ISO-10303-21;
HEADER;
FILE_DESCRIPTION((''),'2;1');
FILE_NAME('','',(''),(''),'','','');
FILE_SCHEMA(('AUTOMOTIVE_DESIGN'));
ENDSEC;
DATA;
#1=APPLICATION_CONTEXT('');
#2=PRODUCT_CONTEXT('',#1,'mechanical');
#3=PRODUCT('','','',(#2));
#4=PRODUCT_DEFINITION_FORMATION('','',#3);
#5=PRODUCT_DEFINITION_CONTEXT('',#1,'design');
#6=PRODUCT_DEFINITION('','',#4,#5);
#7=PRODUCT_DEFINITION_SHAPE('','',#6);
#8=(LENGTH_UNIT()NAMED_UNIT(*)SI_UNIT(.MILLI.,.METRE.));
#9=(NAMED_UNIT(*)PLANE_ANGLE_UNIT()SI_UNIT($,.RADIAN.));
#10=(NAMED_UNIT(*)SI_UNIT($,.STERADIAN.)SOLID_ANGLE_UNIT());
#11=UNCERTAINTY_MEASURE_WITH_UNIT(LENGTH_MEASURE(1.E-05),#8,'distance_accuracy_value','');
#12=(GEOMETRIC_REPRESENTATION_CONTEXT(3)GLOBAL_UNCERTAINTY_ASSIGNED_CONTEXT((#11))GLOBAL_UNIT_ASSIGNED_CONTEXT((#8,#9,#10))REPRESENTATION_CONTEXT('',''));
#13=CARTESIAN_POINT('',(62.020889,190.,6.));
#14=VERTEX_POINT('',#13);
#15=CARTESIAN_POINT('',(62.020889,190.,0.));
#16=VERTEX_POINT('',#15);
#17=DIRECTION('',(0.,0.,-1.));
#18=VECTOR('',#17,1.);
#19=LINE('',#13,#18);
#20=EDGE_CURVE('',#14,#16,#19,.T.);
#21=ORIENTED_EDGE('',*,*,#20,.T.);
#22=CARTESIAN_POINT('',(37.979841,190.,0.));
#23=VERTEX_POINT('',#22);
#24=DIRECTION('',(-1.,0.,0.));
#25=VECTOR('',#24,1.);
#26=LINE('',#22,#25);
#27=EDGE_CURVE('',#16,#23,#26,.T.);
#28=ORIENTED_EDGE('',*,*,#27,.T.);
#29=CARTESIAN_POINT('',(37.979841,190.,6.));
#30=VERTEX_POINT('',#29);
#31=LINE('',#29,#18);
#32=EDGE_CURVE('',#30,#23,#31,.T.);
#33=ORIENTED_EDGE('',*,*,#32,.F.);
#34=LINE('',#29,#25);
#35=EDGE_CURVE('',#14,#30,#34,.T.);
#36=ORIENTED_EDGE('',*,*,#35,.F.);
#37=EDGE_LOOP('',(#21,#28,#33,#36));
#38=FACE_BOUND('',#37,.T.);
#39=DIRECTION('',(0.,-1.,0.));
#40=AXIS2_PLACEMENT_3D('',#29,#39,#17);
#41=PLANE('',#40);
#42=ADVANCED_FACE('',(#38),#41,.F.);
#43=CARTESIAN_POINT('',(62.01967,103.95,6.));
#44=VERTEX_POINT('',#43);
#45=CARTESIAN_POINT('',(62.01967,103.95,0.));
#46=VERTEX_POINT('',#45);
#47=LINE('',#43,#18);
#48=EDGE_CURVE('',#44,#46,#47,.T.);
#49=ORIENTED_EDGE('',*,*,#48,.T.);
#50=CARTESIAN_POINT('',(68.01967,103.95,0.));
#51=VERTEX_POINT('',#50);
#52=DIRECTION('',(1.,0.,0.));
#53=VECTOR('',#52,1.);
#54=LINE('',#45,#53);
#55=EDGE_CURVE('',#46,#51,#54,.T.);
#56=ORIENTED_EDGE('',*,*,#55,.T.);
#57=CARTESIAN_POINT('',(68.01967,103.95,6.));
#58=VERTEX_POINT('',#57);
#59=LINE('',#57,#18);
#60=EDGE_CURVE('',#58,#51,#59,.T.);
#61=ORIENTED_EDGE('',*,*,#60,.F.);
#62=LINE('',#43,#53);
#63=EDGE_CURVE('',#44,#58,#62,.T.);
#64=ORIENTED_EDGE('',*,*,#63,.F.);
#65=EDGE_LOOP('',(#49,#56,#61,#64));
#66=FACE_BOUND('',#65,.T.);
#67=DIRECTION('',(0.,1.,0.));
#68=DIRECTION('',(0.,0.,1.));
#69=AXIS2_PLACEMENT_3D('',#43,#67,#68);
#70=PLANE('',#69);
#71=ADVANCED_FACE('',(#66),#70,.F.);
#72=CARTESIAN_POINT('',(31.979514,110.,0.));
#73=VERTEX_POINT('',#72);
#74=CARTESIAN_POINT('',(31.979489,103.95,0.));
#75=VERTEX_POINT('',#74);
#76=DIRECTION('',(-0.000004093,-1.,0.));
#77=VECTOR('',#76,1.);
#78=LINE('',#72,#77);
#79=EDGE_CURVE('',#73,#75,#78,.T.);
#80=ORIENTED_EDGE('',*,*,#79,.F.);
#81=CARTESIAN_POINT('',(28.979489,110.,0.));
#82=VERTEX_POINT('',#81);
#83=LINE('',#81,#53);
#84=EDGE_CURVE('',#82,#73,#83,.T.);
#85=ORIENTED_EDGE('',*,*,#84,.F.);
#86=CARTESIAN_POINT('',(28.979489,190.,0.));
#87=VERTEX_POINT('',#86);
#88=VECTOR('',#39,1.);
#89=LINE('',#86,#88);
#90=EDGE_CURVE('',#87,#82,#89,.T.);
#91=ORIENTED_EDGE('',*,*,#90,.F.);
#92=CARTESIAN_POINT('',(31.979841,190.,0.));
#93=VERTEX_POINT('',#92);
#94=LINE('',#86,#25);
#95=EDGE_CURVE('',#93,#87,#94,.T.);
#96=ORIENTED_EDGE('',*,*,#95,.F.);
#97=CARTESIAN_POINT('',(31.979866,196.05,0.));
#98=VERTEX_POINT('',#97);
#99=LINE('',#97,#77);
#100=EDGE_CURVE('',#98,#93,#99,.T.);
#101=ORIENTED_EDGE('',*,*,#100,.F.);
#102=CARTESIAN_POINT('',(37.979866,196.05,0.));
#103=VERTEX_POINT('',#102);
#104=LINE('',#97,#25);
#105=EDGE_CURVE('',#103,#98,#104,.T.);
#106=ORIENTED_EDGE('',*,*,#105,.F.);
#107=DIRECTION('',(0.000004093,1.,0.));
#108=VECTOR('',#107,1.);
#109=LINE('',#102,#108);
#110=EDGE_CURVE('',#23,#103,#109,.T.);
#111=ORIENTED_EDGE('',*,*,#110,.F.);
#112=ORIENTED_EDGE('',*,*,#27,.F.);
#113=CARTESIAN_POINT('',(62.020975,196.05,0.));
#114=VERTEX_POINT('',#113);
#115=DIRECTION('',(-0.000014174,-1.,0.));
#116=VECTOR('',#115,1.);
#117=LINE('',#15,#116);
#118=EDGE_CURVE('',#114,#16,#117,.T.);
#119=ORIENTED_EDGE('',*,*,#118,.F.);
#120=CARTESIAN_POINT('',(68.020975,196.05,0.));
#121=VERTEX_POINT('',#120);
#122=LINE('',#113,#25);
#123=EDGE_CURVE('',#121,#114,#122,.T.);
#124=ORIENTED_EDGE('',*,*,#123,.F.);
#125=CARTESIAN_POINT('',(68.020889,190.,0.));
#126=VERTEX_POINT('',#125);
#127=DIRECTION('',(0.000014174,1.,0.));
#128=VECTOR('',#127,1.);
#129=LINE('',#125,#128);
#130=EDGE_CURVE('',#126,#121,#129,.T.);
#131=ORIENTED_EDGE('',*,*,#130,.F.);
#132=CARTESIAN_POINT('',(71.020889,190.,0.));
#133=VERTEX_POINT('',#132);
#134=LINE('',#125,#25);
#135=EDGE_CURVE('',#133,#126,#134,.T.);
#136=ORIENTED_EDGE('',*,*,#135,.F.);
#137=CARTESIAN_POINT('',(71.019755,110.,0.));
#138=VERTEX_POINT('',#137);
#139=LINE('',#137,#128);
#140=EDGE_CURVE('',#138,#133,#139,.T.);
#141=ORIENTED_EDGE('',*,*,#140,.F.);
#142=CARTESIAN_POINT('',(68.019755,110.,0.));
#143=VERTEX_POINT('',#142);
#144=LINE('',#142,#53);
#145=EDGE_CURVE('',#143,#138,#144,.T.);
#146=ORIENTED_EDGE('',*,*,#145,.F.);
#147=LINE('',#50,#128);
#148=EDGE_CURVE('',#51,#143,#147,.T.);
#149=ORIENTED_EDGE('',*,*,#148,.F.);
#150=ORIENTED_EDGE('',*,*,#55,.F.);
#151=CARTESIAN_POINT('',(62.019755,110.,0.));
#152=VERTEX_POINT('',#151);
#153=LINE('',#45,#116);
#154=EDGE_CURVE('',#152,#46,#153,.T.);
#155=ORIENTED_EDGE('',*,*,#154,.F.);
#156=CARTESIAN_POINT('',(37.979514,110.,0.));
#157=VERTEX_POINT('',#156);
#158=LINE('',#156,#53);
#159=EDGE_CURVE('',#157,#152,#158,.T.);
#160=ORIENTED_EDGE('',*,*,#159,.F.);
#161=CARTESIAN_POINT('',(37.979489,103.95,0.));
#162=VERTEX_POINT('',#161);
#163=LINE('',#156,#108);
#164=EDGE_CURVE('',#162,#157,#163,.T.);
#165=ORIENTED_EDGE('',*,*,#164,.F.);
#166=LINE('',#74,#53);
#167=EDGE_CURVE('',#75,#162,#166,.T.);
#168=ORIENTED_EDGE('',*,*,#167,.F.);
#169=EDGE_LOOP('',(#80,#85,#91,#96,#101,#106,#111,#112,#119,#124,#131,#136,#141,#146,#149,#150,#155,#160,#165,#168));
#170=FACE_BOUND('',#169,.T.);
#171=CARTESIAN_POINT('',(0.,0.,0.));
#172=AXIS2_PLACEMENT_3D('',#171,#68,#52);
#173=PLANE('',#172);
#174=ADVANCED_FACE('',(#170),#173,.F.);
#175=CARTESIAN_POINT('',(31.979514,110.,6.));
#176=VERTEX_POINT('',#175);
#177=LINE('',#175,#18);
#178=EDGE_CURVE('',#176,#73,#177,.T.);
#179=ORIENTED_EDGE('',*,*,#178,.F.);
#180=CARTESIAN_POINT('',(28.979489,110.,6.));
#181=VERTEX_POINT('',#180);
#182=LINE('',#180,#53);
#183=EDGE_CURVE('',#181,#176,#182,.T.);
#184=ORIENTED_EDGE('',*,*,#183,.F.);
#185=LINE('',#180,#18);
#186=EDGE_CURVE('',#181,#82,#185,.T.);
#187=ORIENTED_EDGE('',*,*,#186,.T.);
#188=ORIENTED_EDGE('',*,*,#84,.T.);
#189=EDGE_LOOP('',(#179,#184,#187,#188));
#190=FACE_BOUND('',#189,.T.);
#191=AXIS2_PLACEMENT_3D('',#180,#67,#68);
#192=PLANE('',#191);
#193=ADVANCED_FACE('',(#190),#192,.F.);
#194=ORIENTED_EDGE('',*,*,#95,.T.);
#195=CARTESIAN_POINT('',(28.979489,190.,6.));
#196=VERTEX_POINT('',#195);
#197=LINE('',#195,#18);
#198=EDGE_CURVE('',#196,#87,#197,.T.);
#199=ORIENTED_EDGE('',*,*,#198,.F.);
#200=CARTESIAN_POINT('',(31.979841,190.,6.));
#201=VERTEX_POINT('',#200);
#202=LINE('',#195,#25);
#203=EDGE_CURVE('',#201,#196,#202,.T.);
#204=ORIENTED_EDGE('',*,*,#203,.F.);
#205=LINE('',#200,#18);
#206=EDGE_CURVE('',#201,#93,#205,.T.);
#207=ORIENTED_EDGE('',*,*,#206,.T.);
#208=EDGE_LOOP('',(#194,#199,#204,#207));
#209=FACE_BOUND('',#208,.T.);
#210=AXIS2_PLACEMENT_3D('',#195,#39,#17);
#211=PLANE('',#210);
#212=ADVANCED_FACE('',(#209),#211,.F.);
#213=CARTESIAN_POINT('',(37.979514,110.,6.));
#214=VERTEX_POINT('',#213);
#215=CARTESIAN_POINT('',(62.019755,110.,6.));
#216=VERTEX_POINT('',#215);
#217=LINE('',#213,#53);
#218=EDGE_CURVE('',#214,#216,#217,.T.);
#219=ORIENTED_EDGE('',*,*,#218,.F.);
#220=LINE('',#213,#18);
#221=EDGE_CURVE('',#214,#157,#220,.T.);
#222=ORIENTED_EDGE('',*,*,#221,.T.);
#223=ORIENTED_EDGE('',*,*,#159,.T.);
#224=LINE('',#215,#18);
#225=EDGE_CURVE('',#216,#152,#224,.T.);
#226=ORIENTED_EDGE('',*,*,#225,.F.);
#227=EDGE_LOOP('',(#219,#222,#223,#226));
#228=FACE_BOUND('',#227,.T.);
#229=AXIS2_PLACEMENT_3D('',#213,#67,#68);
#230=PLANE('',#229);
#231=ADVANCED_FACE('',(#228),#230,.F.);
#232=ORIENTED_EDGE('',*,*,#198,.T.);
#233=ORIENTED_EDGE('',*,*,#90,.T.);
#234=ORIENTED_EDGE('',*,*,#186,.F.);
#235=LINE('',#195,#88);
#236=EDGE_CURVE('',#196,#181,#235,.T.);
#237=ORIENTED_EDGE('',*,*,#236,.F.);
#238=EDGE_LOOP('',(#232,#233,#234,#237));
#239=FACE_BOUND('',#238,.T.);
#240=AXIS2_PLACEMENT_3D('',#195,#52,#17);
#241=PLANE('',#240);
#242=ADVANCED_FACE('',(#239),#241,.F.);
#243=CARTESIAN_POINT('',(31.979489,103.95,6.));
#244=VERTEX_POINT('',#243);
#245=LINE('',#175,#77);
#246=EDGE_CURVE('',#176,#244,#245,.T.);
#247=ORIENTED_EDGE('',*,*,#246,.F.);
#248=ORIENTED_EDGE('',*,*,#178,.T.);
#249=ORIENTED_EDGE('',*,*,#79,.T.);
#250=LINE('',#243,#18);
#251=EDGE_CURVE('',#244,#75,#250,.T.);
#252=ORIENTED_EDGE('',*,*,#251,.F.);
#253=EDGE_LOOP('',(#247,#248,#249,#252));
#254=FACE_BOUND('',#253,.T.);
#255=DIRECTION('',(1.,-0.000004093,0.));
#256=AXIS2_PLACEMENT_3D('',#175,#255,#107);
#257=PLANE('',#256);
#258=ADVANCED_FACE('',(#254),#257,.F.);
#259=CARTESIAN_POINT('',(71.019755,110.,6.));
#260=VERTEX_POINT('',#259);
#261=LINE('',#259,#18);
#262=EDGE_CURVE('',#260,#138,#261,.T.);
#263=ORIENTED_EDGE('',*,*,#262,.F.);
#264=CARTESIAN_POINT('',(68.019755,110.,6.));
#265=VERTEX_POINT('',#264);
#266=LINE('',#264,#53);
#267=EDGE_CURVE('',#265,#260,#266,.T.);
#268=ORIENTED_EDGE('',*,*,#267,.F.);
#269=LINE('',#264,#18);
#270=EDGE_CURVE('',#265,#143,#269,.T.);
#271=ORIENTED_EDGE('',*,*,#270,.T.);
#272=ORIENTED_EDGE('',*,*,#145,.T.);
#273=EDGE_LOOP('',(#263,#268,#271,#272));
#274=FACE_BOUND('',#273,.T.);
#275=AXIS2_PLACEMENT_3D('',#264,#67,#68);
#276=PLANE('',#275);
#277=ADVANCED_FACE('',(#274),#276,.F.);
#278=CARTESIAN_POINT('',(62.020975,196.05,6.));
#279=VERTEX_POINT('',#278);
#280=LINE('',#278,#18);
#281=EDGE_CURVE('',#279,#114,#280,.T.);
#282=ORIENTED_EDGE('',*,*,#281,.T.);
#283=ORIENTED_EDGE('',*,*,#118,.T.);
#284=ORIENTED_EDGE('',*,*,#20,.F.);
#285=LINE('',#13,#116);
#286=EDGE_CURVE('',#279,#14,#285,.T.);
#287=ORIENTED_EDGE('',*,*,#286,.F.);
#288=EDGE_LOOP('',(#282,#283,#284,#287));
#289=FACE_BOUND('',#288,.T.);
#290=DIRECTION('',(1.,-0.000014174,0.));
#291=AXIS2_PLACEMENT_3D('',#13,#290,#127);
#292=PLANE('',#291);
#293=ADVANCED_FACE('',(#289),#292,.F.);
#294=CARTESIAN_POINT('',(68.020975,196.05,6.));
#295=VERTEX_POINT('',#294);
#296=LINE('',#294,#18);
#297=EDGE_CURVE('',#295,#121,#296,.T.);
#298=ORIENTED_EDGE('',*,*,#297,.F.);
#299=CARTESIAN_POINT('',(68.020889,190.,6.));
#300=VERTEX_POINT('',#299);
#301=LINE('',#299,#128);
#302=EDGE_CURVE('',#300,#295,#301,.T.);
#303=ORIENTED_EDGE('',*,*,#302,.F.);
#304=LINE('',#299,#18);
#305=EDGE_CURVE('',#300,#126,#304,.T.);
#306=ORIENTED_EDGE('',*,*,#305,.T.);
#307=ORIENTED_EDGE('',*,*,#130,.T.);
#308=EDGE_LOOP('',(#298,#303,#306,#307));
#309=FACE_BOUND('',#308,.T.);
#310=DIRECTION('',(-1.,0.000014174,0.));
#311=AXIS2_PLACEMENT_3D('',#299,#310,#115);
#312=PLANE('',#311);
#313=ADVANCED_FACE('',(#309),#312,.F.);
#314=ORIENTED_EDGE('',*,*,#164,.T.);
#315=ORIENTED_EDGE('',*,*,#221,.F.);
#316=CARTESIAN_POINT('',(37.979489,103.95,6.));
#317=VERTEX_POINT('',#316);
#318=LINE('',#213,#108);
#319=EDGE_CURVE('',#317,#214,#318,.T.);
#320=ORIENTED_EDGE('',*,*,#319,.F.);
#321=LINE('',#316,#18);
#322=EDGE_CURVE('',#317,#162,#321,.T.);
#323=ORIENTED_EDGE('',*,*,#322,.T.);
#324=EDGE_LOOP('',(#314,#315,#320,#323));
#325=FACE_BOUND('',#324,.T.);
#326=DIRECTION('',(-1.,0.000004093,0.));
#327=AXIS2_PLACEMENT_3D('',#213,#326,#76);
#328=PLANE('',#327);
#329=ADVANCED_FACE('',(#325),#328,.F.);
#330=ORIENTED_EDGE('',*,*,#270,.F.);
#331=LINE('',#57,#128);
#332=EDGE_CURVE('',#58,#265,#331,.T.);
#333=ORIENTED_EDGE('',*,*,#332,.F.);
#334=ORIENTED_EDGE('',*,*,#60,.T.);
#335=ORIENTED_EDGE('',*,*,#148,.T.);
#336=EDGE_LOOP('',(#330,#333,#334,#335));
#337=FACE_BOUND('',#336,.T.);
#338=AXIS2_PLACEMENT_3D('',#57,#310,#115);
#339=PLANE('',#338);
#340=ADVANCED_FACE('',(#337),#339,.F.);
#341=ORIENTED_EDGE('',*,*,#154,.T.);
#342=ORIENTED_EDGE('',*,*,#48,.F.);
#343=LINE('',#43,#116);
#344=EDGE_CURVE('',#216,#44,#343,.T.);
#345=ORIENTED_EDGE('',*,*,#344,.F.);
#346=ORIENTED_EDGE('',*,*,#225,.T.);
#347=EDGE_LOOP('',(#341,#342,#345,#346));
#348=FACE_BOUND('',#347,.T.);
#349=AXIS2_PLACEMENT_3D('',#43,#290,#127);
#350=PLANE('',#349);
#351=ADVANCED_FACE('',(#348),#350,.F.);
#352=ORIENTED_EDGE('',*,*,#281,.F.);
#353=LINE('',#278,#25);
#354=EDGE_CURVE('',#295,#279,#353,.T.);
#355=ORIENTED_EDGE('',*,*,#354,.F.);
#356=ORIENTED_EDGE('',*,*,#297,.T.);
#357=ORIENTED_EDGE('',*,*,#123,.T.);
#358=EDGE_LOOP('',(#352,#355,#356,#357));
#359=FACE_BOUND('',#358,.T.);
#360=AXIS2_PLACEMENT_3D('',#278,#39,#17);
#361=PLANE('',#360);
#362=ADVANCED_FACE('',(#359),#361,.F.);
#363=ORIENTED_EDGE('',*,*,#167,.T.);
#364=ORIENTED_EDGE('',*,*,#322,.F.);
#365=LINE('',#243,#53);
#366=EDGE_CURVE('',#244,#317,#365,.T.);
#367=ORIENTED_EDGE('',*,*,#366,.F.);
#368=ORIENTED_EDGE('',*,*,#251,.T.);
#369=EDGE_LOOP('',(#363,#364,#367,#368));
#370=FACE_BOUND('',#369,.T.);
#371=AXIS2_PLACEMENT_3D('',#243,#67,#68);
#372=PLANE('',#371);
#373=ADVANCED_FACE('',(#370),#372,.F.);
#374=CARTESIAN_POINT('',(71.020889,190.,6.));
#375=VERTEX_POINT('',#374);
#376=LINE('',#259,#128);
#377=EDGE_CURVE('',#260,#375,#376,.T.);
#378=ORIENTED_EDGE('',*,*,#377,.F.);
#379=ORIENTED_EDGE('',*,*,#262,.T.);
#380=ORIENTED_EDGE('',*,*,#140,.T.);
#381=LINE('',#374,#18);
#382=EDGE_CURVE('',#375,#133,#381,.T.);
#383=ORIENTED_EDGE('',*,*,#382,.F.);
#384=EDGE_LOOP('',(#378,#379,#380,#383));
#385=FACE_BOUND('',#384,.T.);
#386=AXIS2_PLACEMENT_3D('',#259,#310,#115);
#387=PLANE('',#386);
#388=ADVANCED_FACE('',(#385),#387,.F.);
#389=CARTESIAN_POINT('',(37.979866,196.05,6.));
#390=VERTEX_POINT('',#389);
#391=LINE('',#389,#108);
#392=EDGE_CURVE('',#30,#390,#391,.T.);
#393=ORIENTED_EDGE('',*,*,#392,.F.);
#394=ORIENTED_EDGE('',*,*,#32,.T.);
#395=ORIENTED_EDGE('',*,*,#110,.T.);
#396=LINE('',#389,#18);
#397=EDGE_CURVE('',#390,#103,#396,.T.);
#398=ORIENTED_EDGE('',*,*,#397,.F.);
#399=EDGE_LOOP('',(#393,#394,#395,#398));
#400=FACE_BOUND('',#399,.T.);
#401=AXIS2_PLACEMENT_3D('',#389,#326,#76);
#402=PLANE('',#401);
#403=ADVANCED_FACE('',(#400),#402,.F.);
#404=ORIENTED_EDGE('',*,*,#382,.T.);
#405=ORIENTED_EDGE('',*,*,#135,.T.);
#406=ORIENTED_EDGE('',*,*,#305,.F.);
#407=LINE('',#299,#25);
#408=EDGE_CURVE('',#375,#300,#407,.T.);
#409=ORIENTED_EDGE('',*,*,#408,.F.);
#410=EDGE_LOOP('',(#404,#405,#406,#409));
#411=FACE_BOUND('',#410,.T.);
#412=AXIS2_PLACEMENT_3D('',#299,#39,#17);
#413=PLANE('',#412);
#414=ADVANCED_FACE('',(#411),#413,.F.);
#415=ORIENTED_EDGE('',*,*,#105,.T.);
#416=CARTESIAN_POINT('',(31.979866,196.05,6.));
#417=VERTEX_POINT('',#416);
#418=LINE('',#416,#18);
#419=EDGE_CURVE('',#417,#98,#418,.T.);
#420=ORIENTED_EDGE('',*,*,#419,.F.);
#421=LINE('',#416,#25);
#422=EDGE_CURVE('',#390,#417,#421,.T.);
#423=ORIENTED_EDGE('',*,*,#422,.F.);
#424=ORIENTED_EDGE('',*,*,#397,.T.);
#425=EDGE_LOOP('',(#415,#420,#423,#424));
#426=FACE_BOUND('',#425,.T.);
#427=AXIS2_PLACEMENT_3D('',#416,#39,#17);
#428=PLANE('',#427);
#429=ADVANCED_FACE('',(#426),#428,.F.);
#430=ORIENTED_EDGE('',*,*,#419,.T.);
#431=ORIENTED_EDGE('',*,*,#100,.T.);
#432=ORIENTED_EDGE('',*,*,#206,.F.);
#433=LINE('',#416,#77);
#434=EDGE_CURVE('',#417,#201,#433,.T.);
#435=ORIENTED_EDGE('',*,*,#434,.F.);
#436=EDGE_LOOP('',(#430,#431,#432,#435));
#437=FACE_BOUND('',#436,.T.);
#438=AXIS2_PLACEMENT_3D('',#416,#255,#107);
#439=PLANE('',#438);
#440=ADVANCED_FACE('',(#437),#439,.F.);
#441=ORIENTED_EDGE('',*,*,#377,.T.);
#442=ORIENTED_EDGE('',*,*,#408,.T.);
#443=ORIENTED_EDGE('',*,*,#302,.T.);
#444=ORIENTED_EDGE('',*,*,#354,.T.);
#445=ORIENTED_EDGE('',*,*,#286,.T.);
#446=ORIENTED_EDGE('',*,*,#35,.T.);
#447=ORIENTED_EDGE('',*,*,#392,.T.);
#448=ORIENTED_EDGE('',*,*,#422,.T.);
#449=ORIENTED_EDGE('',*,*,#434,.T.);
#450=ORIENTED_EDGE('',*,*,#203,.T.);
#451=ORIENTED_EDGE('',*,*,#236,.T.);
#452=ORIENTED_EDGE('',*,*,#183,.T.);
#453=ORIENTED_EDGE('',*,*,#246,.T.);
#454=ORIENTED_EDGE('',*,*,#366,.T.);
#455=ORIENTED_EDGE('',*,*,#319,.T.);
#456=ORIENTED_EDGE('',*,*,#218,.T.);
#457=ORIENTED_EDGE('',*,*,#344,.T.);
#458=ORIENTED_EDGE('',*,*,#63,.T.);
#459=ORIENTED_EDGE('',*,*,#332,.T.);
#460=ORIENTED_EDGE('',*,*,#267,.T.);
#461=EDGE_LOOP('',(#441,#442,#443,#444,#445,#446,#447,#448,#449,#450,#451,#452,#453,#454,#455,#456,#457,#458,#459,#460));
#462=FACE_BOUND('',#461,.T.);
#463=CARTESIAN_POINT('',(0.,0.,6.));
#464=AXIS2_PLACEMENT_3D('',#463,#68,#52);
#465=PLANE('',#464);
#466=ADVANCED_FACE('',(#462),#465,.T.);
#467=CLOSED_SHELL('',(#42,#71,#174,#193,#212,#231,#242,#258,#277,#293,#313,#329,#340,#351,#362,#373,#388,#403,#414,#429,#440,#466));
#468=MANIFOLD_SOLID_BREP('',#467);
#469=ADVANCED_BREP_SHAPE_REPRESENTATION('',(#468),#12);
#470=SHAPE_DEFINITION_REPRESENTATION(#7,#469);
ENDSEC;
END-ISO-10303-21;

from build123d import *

# Parameters (mm, degrees)
SALIENTE_EXTRUIR1_DEPTH = 6


with BuildPart() as part:
    # Model → Saliente-Extruir1 (new body)
    with BuildSketch(Plane.XY):
        Polygon((31.979489095, 103.95), (37.979489095, 103.95), (37.97951386, 110), (62.019755438, 110), (62.019669685, 103.95), (68.019669685, 103.95), (68.019755438, 110), (71.019755439, 110), (71.020889365, 190), (68.020889364, 190), (68.020975118, 196.05), (62.020975117, 196.05), (62.020889364, 190), (37.979841336, 190), (37.979866102, 196.05), (31.979866102, 196.05), (31.979841336, 190), (28.979489095, 190), (28.979489095, 110), (31.97951386, 110), align=None)
    extrude(amount=SALIENTE_EXTRUIR1_DEPTH)


solid = part.part
